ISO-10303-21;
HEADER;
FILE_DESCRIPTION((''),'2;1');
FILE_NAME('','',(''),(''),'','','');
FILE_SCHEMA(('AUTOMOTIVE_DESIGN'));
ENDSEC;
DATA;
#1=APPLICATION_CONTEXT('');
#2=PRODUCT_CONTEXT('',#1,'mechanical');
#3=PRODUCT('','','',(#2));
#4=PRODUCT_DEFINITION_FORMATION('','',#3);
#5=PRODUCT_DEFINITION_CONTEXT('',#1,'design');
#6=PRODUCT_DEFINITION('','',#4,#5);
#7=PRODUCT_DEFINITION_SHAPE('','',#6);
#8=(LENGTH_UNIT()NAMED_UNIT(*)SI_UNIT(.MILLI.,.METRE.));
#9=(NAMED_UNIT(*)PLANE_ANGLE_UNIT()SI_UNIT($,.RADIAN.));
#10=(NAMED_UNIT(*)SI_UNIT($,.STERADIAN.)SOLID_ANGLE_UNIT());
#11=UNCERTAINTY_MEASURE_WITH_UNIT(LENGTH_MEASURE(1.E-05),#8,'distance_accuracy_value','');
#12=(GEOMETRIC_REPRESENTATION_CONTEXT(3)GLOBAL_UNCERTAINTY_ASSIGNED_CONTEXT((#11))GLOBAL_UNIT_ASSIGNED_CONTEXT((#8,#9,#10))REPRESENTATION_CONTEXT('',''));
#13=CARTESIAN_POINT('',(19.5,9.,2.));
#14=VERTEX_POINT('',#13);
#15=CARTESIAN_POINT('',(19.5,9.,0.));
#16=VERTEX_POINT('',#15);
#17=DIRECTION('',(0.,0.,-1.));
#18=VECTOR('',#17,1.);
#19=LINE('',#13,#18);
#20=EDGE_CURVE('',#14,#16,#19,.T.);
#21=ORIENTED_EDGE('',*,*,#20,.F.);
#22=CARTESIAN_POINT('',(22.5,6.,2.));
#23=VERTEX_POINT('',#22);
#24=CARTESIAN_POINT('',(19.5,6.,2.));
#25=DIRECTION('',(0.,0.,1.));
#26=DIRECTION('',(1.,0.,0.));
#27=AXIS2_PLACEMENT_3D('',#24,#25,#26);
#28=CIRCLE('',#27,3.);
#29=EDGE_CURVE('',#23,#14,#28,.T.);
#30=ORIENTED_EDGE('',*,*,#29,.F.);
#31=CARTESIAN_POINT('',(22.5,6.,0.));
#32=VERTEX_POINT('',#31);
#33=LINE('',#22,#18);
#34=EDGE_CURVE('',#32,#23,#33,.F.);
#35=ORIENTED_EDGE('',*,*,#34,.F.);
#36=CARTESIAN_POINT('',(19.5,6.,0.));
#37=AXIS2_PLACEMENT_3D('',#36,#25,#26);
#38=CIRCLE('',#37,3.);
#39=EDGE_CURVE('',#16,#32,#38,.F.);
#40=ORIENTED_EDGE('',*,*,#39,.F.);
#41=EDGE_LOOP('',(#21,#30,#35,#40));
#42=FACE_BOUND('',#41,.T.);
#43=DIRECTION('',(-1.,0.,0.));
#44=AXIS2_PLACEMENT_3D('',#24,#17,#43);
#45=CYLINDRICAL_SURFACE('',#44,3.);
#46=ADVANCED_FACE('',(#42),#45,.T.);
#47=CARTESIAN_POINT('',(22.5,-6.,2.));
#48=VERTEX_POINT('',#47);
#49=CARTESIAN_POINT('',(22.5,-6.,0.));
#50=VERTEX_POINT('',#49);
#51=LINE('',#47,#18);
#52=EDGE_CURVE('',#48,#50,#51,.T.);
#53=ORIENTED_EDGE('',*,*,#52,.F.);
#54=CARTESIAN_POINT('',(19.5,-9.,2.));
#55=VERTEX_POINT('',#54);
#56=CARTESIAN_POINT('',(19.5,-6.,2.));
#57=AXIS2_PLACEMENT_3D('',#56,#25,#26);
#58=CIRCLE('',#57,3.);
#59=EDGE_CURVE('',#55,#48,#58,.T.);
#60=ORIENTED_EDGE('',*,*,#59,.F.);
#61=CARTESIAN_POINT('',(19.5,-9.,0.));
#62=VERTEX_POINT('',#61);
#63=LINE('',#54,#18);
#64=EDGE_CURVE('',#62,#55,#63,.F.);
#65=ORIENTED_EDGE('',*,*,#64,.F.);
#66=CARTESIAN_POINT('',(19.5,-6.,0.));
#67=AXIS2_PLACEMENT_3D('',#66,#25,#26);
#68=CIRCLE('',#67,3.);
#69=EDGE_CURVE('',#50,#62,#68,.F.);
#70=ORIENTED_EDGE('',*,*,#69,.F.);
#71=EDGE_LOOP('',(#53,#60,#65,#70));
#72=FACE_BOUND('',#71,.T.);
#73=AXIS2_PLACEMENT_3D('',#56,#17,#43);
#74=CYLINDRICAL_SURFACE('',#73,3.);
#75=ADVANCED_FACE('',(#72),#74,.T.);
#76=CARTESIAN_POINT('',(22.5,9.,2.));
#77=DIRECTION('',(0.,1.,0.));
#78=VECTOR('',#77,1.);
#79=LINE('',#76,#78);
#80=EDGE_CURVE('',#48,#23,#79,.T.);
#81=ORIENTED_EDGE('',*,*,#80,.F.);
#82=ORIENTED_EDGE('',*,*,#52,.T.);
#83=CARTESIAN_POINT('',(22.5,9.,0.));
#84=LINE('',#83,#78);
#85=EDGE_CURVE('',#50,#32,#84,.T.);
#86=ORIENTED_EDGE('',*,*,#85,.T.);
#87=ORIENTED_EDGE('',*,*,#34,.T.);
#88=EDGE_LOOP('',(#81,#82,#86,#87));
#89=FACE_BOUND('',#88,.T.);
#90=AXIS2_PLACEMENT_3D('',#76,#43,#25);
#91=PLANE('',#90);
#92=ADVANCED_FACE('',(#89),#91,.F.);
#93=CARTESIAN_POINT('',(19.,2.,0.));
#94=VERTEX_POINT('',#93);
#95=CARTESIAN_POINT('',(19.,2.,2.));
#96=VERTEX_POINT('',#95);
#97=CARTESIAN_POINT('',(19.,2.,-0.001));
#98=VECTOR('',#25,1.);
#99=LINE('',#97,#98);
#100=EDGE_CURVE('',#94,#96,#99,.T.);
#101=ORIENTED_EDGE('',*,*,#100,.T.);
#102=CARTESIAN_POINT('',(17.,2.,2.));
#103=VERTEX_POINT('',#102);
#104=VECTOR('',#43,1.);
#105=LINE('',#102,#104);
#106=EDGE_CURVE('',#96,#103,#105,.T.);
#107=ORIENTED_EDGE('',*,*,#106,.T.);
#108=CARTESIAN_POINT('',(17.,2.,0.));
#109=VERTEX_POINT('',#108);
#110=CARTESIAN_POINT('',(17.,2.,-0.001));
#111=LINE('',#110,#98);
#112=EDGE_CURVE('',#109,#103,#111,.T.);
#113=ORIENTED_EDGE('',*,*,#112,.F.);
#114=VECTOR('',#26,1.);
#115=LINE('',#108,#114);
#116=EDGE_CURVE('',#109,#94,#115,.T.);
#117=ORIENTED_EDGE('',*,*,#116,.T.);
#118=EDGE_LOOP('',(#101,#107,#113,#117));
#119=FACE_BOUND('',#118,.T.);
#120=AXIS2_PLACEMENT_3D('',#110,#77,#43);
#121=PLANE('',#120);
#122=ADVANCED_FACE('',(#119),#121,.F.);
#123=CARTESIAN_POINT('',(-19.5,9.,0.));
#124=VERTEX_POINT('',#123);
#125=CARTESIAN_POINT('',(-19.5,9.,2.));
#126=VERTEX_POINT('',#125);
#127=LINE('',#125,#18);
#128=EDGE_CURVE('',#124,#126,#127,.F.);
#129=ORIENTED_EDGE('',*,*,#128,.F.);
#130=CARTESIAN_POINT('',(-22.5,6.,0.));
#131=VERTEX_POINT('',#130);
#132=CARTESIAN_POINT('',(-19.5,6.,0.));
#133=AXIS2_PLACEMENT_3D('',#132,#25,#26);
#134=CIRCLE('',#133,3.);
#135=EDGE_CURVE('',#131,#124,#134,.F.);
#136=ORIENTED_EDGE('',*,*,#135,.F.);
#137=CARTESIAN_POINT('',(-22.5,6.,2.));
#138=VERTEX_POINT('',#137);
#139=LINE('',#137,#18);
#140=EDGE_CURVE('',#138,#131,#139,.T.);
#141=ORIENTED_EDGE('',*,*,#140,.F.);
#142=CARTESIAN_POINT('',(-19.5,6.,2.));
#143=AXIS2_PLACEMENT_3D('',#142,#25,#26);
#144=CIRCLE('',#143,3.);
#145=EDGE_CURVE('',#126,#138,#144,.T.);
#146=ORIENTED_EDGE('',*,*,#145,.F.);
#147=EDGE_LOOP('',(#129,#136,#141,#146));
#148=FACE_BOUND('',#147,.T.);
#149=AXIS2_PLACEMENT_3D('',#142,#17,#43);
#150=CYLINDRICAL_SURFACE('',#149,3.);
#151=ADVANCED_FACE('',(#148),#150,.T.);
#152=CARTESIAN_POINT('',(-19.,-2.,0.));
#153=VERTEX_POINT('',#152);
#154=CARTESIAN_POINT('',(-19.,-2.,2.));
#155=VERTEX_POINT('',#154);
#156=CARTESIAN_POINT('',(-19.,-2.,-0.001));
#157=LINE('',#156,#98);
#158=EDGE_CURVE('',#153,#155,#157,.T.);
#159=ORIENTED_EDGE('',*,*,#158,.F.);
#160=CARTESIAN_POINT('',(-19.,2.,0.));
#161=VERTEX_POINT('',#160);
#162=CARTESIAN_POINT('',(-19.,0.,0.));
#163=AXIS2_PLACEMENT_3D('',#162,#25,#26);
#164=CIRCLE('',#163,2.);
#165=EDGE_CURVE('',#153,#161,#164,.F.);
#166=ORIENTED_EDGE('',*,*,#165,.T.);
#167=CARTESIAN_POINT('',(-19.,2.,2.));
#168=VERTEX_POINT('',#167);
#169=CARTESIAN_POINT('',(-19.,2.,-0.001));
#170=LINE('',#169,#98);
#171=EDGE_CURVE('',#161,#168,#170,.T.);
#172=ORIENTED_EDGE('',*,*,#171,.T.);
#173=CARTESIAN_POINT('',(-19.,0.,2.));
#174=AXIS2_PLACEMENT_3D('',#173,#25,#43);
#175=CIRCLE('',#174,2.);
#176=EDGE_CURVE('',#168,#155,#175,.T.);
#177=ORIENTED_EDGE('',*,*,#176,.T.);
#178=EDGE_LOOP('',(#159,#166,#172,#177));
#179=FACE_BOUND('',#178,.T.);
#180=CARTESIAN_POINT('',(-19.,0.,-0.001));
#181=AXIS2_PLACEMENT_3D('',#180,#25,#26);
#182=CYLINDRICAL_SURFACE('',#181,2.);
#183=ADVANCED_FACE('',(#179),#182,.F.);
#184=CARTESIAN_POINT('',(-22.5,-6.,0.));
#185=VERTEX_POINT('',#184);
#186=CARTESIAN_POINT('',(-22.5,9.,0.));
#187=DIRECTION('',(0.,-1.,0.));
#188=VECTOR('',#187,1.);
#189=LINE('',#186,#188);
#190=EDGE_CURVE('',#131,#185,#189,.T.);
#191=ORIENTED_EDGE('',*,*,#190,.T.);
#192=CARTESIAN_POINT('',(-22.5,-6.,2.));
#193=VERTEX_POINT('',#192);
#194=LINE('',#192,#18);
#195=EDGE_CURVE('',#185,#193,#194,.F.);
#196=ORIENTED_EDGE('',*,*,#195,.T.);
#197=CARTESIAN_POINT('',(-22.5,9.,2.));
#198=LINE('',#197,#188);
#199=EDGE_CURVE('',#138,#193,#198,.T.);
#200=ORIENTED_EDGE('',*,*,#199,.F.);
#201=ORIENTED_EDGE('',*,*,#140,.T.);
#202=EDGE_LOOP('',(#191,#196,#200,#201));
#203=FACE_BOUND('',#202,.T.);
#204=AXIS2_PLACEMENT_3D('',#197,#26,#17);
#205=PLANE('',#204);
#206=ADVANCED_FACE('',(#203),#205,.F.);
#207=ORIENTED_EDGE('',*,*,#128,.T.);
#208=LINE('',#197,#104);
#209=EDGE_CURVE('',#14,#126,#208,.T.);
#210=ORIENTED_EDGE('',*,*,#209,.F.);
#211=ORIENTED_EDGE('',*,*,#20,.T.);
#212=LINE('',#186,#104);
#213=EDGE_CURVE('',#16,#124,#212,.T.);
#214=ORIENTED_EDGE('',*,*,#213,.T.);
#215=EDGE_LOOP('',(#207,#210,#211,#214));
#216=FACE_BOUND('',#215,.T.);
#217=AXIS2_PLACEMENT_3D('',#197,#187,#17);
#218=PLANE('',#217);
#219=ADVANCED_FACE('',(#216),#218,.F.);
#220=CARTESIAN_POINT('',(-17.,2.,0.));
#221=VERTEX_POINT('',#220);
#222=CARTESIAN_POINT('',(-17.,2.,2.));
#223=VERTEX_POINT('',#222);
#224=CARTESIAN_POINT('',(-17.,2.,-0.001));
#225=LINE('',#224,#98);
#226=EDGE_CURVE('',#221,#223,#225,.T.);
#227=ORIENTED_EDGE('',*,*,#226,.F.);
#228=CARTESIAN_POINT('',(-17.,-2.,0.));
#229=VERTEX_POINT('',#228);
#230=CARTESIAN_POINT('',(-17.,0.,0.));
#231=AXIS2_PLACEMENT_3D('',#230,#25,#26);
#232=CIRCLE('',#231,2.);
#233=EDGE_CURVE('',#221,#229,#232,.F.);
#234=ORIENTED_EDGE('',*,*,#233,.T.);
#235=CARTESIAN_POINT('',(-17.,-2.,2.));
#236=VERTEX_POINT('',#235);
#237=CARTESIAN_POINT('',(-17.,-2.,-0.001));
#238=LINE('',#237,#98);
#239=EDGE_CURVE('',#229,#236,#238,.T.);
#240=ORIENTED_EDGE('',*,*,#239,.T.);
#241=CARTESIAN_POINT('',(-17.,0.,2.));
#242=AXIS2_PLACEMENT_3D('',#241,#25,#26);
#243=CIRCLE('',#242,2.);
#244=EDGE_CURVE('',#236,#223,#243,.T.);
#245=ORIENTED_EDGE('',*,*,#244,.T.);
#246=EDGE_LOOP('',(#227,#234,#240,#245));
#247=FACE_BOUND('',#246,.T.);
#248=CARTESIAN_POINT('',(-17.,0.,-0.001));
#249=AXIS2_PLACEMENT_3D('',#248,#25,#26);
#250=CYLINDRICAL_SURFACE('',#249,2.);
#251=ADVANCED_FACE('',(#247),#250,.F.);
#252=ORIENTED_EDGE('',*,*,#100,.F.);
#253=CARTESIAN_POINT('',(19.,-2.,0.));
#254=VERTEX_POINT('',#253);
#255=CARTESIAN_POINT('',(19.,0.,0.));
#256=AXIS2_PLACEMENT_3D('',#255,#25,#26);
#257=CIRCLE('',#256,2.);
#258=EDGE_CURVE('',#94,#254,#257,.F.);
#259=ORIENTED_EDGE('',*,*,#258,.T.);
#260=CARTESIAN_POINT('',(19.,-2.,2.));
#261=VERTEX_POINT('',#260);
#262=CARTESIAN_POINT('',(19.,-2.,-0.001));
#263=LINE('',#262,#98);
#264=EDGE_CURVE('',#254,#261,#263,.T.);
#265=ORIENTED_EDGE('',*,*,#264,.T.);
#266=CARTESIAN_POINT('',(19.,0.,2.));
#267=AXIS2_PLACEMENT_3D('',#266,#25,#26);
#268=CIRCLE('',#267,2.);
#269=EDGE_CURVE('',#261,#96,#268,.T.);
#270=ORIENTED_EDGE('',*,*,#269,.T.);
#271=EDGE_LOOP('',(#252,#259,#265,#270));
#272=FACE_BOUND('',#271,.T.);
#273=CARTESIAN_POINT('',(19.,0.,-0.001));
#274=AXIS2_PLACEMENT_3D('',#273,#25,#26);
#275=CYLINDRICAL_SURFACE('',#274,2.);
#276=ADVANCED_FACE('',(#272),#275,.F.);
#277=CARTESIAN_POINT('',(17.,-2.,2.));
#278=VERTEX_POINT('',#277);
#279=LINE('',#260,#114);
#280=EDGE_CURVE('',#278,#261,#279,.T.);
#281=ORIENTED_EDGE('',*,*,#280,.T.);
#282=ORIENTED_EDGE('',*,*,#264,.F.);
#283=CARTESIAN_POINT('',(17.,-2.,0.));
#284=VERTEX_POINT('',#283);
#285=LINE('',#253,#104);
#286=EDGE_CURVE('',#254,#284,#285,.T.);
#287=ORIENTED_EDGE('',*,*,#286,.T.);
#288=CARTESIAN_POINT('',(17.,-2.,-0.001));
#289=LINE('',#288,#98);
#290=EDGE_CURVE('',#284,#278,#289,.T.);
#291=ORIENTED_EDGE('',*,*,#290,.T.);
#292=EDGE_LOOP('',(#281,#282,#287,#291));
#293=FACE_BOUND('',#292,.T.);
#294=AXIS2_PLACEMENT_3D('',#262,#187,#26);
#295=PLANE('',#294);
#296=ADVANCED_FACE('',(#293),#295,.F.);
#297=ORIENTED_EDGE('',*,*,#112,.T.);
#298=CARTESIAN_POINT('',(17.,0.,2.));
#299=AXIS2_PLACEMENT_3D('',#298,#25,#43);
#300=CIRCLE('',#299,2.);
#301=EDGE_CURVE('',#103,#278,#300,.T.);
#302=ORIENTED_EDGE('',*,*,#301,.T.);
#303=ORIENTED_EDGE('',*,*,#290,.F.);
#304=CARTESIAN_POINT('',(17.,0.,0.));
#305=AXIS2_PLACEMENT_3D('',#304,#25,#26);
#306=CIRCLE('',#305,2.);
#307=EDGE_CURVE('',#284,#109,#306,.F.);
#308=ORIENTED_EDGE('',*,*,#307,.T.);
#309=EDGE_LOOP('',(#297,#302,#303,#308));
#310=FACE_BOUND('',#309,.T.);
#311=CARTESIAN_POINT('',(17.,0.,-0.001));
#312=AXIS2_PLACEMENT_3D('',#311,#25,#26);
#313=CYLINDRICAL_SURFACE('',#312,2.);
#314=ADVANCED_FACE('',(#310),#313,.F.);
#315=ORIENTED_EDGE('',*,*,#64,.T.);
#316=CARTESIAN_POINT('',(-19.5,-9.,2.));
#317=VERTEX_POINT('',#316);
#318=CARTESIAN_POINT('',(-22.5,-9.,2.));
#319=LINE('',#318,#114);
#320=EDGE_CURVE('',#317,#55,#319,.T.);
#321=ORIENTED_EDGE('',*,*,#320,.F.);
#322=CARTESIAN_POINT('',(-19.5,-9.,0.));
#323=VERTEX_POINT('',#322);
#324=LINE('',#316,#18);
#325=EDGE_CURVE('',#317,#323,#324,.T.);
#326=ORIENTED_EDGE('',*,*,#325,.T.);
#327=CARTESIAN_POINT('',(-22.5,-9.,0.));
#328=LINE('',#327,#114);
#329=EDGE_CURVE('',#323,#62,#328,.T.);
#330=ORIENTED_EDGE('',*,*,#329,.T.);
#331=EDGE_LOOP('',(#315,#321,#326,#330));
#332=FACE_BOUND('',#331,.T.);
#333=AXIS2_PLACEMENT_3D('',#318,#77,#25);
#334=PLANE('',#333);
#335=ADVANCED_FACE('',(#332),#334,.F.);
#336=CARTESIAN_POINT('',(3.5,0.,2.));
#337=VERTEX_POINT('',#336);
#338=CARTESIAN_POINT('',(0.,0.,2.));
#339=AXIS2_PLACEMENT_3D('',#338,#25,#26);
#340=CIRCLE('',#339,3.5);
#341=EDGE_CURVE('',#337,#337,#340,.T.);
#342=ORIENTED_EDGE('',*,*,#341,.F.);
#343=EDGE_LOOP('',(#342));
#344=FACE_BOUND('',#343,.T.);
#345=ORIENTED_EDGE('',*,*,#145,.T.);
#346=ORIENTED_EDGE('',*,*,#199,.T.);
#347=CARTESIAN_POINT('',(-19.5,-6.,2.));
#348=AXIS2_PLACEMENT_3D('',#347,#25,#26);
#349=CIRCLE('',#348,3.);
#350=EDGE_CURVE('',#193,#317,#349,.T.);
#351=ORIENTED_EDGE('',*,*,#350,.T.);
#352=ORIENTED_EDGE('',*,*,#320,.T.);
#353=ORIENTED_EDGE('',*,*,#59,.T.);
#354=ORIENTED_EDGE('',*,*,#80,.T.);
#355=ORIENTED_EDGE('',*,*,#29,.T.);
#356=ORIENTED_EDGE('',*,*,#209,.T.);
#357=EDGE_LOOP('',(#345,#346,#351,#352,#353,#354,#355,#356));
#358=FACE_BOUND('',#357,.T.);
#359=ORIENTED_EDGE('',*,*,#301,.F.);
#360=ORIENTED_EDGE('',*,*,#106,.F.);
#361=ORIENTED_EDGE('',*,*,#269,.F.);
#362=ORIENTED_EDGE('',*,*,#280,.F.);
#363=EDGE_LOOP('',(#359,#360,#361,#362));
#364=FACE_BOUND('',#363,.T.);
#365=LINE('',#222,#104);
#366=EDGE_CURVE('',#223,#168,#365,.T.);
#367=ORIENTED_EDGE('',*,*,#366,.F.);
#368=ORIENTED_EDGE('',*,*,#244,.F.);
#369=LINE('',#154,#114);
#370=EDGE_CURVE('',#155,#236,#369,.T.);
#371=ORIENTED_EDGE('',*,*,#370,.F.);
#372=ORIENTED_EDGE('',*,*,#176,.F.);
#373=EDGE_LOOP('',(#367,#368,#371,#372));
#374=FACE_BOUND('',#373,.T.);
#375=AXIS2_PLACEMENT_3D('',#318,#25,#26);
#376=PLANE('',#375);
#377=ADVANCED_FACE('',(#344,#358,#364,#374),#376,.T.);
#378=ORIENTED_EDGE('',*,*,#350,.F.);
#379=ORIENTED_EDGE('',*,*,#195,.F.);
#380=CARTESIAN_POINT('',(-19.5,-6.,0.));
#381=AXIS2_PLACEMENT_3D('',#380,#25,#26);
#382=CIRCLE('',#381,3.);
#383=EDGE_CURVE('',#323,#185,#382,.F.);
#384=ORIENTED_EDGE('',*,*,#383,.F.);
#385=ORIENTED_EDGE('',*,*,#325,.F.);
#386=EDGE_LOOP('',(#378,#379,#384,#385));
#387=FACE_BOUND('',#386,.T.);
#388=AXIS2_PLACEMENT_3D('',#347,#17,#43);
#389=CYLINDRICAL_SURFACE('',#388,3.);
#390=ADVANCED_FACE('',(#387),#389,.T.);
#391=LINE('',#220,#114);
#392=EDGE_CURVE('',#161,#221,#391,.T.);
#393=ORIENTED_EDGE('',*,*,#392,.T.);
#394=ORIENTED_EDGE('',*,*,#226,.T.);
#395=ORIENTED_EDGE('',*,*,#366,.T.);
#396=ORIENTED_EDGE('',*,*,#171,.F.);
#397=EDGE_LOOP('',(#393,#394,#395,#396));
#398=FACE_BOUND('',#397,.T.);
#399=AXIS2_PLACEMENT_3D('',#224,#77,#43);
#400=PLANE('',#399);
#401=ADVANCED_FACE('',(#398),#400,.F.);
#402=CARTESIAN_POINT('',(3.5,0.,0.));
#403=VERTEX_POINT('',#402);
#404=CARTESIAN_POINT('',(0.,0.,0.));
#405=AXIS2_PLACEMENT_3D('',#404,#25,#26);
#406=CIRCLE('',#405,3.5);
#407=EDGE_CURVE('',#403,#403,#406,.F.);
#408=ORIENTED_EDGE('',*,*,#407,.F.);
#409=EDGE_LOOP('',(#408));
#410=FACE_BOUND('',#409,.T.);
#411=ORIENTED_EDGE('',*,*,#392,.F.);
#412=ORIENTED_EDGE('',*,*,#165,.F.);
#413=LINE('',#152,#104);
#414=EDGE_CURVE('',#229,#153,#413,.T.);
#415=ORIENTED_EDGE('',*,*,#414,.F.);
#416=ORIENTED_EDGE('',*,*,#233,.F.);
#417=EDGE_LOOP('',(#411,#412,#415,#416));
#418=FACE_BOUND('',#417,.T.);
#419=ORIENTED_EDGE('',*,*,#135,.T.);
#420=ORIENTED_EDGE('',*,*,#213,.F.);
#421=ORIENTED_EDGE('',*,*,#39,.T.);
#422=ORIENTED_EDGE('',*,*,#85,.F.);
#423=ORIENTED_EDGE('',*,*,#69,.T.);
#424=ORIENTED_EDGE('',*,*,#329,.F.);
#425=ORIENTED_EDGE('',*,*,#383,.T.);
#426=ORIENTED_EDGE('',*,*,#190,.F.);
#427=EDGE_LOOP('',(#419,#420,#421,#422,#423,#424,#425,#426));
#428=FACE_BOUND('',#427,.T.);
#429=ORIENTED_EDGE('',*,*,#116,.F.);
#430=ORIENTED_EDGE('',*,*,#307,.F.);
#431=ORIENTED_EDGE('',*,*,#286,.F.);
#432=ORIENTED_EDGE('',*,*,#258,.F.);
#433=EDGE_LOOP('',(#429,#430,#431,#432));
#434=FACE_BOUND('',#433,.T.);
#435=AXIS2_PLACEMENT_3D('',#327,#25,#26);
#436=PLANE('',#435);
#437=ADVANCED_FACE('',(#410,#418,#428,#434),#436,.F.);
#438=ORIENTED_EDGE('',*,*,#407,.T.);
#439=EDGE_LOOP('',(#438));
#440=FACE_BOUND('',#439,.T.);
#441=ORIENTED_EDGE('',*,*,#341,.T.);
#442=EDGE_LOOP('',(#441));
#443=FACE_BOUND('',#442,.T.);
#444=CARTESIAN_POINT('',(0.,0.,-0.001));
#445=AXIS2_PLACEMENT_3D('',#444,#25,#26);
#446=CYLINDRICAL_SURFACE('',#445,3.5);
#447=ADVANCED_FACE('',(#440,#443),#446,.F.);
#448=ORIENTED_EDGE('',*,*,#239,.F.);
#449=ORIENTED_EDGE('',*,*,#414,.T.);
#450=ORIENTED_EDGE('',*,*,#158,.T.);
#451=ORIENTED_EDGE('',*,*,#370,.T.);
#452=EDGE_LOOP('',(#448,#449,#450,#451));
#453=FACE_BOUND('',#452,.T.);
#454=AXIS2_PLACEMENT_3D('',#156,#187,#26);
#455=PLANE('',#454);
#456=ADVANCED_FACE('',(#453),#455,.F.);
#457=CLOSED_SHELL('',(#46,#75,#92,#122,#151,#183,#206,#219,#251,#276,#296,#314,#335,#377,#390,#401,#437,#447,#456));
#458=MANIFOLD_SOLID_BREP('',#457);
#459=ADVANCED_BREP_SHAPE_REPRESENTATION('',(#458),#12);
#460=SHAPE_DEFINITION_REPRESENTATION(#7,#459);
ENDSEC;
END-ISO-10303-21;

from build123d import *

# Parameters (mm, degrees)
ESQUISSE1_W             = 45
ESQUISSE1_H             = 18
EXTRUSION1_DEPTH        = 2
CONG_1_R                = 3
ENL_V_MAT_EXTRU_1_REACH = 4
ESQUISSE2_R             = 3.5


with BuildPart() as part:
    # Esquisse1 → Extrusion1 (new body)
    with BuildSketch(Plane.XY):
        Rectangle(ESQUISSE1_W, ESQUISSE1_H)
    extrude(amount=EXTRUSION1_DEPTH)

    # Congé1
    cong_1_edges = [part.edges().sort_by_distance(p)[0] for p in [
        (-22.5, 9, 1),
        (22.5, 9, 1),
        (22.5, -9, 1),
        (-22.5, -9, 1),
    ]]
    fillet(cong_1_edges, radius=CONG_1_R)

    # Esquisse2 → Enlèv. mat.-Extru.1 (cut, up to next)
    with BuildSketch(Plane.XY.offset(2), mode=Mode.PRIVATE) as enl_v_mat_extru_1_sk1:
        Circle(ESQUISSE2_R)
    enl_v_mat_extru_1_tool1 = extrude(enl_v_mat_extru_1_sk1.sketch, amount=-ENL_V_MAT_EXTRU_1_REACH, mode=Mode.PRIVATE) & part.part
    add(enl_v_mat_extru_1_tool1.solids().sort_by_distance((0, 0, 2))[0], mode=Mode.SUBTRACT)
    # Esquisse2 → Enlèv. mat.-Extru.1 (cut, up to next)
    with BuildSketch(Plane.XY.offset(2), mode=Mode.PRIVATE) as enl_v_mat_extru_1_sk2:
        with BuildLine():
            Line((17, 2), (19, 2))
            ThreePointArc((19, 2), (21, 0), (19, -2))
            Line((19, -2), (17, -2))
            ThreePointArc((17, -2), (15, 0), (17, 2))
        make_face()
    enl_v_mat_extru_1_tool2 = extrude(enl_v_mat_extru_1_sk2.sketch, amount=-ENL_V_MAT_EXTRU_1_REACH, mode=Mode.PRIVATE) & part.part
    add(enl_v_mat_extru_1_tool2.solids().sort_by_distance((18, 0, 2))[0], mode=Mode.SUBTRACT)
    # Esquisse2 → Enlèv. mat.-Extru.1 (cut, up to next)
    with BuildSketch(Plane.XY.offset(2), mode=Mode.PRIVATE) as enl_v_mat_extru_1_sk3:
        with BuildLine():
            Line((-19, -2), (-17, -2))
            ThreePointArc((-17, -2), (-15, 0), (-17, 2))
            Line((-17, 2), (-19, 2))
            ThreePointArc((-19, 2), (-21, 0), (-19, -2))
        make_face()
    enl_v_mat_extru_1_tool3 = extrude(enl_v_mat_extru_1_sk3.sketch, amount=-ENL_V_MAT_EXTRU_1_REACH, mode=Mode.PRIVATE) & part.part
    add(enl_v_mat_extru_1_tool3.solids().sort_by_distance((-18, 0, 2))[0], mode=Mode.SUBTRACT)


solid = part.part
